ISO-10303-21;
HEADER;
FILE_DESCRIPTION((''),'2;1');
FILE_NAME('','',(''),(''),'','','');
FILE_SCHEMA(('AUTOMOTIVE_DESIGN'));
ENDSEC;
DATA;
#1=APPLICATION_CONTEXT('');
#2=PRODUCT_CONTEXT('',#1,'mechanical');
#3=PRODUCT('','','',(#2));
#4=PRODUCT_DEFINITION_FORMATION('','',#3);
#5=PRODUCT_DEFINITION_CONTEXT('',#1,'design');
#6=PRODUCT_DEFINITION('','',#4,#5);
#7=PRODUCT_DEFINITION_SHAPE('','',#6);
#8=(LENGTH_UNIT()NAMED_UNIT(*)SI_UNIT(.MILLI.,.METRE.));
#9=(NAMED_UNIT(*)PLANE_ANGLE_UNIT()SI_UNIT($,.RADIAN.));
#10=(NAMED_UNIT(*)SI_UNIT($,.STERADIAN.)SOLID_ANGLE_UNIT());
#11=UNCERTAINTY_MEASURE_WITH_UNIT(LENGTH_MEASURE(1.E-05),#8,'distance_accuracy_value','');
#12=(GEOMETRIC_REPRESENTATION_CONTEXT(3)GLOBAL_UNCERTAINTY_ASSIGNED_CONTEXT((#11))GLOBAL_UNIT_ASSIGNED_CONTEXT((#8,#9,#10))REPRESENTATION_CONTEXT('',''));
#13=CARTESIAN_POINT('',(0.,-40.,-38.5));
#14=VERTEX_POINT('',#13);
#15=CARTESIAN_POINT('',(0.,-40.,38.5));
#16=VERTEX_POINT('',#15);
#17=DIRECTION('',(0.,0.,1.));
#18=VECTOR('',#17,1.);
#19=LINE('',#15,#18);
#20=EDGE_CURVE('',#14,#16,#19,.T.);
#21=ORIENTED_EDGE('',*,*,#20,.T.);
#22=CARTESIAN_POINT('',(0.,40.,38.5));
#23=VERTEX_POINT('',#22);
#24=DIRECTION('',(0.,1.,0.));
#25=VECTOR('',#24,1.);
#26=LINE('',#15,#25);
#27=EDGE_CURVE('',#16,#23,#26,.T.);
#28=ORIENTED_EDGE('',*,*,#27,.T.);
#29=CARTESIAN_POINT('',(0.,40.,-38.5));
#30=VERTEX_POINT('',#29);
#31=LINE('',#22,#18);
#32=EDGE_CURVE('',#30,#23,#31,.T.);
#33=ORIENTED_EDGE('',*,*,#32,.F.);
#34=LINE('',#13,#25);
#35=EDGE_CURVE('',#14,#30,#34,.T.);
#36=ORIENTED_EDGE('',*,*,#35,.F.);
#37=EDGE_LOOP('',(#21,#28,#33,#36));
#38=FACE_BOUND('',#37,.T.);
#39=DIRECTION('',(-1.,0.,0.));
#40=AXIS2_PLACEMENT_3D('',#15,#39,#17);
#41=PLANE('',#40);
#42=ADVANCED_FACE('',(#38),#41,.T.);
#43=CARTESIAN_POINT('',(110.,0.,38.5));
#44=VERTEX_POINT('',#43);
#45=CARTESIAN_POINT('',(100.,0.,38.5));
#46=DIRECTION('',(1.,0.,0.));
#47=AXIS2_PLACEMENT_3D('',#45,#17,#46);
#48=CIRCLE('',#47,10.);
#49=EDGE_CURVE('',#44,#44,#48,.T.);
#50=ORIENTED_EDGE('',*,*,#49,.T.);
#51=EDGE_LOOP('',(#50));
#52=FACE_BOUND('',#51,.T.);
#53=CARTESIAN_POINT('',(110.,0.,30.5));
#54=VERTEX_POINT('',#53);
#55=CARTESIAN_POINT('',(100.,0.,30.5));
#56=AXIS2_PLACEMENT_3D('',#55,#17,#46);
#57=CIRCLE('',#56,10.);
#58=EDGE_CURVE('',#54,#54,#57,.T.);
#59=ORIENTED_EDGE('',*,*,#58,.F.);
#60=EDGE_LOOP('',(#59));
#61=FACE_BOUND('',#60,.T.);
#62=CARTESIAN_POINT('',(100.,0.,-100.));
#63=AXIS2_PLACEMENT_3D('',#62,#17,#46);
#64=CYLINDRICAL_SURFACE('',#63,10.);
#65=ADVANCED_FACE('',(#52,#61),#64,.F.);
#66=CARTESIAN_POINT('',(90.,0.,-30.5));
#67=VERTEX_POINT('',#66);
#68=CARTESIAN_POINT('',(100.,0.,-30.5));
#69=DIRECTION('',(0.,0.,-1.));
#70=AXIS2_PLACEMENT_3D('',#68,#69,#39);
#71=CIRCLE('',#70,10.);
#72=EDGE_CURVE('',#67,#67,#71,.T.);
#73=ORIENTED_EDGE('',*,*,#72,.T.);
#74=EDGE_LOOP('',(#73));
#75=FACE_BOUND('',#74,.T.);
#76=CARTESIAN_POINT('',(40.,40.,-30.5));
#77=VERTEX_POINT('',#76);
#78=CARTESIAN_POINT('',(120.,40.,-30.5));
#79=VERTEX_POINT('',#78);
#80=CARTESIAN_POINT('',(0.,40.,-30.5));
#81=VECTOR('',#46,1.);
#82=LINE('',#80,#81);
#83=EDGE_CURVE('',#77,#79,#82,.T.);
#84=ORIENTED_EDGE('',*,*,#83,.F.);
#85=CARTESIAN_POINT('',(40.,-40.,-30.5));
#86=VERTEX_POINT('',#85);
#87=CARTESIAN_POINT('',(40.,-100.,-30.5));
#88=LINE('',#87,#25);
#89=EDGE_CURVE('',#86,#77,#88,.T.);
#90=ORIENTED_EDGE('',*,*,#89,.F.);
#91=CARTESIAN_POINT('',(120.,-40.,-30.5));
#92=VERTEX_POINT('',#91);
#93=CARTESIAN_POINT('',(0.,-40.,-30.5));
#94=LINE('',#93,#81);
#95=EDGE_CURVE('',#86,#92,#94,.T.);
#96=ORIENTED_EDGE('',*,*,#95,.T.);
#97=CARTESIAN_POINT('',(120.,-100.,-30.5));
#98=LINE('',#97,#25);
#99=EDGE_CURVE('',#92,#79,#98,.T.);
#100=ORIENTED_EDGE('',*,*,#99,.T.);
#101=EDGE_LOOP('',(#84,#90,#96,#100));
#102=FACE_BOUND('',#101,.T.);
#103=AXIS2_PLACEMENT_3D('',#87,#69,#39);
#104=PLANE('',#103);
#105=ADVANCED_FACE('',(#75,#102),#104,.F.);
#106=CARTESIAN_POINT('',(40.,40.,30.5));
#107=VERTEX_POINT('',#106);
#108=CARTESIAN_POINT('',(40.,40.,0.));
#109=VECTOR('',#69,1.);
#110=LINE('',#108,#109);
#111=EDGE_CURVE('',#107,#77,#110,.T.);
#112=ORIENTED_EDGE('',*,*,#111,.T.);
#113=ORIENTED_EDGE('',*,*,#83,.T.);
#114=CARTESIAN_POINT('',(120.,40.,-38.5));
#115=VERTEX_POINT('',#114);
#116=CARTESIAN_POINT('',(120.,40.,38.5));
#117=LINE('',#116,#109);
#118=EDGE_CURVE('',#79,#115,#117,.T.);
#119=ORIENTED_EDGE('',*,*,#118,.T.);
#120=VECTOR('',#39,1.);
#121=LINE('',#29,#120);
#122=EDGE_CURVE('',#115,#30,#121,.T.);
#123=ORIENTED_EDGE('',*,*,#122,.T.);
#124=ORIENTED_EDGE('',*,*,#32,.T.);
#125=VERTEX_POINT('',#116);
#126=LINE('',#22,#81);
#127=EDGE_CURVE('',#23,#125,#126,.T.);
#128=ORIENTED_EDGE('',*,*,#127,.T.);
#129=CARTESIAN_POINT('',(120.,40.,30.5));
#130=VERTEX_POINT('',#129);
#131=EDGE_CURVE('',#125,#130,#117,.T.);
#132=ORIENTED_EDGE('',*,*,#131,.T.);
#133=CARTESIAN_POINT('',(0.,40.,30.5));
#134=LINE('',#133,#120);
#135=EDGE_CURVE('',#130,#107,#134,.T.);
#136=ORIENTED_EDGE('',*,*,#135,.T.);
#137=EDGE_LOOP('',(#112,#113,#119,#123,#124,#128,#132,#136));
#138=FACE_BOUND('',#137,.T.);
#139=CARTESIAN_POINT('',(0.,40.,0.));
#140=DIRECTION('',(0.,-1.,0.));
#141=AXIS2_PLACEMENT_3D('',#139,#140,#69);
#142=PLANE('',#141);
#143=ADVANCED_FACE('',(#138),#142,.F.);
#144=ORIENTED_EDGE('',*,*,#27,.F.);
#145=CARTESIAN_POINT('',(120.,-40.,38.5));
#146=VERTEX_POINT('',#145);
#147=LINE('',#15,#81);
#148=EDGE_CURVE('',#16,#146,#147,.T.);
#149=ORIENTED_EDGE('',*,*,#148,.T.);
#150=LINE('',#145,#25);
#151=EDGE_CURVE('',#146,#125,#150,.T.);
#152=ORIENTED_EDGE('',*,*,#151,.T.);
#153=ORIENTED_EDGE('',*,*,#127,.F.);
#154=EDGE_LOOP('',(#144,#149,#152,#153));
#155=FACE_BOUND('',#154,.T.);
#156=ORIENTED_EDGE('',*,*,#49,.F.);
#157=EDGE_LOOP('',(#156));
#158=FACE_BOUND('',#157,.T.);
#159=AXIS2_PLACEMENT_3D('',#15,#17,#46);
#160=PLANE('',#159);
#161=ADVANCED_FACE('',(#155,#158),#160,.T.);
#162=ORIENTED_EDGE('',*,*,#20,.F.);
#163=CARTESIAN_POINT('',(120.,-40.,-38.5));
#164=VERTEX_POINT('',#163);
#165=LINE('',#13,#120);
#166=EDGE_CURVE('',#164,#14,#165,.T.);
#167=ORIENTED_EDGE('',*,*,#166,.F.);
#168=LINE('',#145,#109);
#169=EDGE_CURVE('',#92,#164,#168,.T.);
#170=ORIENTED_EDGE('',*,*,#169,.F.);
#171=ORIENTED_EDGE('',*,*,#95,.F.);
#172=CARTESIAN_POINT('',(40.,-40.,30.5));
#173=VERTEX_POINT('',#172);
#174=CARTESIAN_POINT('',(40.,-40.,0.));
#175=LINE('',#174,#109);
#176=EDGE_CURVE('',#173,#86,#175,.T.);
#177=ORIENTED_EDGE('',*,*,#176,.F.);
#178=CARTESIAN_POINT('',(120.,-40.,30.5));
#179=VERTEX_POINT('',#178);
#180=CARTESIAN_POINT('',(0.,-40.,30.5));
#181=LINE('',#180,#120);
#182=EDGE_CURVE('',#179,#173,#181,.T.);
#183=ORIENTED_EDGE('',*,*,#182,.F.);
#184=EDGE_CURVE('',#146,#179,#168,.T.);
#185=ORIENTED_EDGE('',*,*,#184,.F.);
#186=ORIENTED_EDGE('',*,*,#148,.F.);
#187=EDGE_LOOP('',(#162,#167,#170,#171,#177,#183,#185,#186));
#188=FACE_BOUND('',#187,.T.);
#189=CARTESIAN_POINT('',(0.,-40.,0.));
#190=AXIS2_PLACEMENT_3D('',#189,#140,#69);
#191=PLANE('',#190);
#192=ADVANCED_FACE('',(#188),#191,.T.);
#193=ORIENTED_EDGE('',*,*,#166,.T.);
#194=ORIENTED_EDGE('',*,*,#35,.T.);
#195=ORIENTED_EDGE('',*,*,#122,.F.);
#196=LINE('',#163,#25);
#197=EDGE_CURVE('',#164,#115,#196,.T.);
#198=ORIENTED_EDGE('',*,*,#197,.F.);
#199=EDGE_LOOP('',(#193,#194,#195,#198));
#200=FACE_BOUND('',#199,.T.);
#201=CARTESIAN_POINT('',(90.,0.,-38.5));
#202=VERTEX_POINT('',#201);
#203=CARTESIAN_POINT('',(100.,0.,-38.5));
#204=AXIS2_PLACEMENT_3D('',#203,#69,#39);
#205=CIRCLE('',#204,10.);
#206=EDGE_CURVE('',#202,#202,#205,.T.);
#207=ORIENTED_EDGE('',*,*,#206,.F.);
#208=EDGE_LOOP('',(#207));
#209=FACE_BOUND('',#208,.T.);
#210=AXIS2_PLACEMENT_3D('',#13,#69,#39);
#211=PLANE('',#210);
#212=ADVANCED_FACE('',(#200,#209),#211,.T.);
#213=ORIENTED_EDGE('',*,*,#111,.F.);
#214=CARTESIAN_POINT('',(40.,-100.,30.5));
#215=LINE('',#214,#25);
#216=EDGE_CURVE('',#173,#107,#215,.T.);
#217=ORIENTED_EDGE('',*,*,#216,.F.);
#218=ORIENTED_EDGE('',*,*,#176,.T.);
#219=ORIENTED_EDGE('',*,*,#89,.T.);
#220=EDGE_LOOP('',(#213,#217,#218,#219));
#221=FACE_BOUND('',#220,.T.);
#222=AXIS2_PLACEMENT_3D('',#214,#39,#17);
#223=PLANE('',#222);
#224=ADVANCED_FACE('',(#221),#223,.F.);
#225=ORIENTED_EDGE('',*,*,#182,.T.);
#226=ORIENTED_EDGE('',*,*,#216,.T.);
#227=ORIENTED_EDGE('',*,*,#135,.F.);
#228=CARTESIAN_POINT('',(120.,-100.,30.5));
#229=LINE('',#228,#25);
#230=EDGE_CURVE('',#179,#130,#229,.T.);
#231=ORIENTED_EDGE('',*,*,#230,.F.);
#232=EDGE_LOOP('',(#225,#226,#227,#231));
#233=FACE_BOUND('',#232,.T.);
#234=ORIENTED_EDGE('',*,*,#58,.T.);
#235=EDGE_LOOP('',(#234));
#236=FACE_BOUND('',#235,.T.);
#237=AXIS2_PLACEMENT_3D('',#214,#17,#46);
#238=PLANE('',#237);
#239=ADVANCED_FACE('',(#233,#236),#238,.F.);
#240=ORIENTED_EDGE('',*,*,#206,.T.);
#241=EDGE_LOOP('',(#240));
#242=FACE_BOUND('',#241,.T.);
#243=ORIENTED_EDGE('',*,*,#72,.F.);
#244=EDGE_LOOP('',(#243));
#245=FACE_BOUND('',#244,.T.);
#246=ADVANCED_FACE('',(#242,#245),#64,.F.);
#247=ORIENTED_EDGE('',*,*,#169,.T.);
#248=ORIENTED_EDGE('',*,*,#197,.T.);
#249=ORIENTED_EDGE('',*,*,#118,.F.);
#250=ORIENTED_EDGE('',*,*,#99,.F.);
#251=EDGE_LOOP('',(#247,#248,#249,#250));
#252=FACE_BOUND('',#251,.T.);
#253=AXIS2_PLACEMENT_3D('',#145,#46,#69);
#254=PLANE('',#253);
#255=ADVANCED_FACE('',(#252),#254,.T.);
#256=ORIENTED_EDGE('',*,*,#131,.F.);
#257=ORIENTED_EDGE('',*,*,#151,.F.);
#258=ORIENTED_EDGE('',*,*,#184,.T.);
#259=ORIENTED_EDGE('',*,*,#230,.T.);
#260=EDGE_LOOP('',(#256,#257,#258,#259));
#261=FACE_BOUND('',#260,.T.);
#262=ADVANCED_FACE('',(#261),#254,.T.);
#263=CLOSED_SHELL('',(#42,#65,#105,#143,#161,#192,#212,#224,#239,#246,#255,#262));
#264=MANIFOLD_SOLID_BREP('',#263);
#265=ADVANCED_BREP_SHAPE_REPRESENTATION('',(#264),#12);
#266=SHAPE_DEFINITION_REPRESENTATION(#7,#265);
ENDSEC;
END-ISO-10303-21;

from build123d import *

# Parameters (mm, degrees)
BOSS_EXTRUDE1_DEPTH      = 40
BOSS_EXTRUDE1_DEPTH_BACK = 40
SKETCH1_W                = 120
SKETCH1_H                = 77
CUT_EXTRUDE1_DEPTH       = 100
CUT_EXTRUDE1_DEPTH_BACK  = 100
SKETCH2_W                = 80
SKETCH2_H                = 61
CUT_EXTRUDE2_DEPTH       = 100
CUT_EXTRUDE2_DEPTH_BACK  = 100
SKETCH3_R                = 10


with BuildPart() as part:
    # Sketch1 → Boss-Extrude1 (new, two sides: drawn at the far end of the back side and taken through both)
    with BuildSketch(Plane(origin=(0, 0, 0), x_dir=(1, 0, 0), z_dir=(0, 1, 0)).offset(-BOSS_EXTRUDE1_DEPTH_BACK)):
        with Locations((60, 0)):
            Rectangle(SKETCH1_W, SKETCH1_H)
    extrude(amount=BOSS_EXTRUDE1_DEPTH + BOSS_EXTRUDE1_DEPTH_BACK)

    # Sketch2 → Cut-Extrude1 (cut, two sides: drawn at the far end of the back side and taken through both)
    with BuildSketch(Plane(origin=(0, 0, 0), x_dir=(1, 0, 0), z_dir=(0, 1, 0)).offset(-CUT_EXTRUDE1_DEPTH_BACK)):
        with Locations((80, 0)):
            Rectangle(SKETCH2_W, SKETCH2_H)
    extrude(amount=CUT_EXTRUDE1_DEPTH + CUT_EXTRUDE1_DEPTH_BACK, mode=Mode.SUBTRACT)

    # Sketch3 → Cut-Extrude2 (cut, two sides: drawn at the far end of the back side and taken through both)
    with BuildSketch(Plane.XY.offset(-CUT_EXTRUDE2_DEPTH_BACK)):
        with Locations((100, 0)):
            Circle(SKETCH3_R)
    extrude(amount=CUT_EXTRUDE2_DEPTH + CUT_EXTRUDE2_DEPTH_BACK, mode=Mode.SUBTRACT)


solid = part.part
